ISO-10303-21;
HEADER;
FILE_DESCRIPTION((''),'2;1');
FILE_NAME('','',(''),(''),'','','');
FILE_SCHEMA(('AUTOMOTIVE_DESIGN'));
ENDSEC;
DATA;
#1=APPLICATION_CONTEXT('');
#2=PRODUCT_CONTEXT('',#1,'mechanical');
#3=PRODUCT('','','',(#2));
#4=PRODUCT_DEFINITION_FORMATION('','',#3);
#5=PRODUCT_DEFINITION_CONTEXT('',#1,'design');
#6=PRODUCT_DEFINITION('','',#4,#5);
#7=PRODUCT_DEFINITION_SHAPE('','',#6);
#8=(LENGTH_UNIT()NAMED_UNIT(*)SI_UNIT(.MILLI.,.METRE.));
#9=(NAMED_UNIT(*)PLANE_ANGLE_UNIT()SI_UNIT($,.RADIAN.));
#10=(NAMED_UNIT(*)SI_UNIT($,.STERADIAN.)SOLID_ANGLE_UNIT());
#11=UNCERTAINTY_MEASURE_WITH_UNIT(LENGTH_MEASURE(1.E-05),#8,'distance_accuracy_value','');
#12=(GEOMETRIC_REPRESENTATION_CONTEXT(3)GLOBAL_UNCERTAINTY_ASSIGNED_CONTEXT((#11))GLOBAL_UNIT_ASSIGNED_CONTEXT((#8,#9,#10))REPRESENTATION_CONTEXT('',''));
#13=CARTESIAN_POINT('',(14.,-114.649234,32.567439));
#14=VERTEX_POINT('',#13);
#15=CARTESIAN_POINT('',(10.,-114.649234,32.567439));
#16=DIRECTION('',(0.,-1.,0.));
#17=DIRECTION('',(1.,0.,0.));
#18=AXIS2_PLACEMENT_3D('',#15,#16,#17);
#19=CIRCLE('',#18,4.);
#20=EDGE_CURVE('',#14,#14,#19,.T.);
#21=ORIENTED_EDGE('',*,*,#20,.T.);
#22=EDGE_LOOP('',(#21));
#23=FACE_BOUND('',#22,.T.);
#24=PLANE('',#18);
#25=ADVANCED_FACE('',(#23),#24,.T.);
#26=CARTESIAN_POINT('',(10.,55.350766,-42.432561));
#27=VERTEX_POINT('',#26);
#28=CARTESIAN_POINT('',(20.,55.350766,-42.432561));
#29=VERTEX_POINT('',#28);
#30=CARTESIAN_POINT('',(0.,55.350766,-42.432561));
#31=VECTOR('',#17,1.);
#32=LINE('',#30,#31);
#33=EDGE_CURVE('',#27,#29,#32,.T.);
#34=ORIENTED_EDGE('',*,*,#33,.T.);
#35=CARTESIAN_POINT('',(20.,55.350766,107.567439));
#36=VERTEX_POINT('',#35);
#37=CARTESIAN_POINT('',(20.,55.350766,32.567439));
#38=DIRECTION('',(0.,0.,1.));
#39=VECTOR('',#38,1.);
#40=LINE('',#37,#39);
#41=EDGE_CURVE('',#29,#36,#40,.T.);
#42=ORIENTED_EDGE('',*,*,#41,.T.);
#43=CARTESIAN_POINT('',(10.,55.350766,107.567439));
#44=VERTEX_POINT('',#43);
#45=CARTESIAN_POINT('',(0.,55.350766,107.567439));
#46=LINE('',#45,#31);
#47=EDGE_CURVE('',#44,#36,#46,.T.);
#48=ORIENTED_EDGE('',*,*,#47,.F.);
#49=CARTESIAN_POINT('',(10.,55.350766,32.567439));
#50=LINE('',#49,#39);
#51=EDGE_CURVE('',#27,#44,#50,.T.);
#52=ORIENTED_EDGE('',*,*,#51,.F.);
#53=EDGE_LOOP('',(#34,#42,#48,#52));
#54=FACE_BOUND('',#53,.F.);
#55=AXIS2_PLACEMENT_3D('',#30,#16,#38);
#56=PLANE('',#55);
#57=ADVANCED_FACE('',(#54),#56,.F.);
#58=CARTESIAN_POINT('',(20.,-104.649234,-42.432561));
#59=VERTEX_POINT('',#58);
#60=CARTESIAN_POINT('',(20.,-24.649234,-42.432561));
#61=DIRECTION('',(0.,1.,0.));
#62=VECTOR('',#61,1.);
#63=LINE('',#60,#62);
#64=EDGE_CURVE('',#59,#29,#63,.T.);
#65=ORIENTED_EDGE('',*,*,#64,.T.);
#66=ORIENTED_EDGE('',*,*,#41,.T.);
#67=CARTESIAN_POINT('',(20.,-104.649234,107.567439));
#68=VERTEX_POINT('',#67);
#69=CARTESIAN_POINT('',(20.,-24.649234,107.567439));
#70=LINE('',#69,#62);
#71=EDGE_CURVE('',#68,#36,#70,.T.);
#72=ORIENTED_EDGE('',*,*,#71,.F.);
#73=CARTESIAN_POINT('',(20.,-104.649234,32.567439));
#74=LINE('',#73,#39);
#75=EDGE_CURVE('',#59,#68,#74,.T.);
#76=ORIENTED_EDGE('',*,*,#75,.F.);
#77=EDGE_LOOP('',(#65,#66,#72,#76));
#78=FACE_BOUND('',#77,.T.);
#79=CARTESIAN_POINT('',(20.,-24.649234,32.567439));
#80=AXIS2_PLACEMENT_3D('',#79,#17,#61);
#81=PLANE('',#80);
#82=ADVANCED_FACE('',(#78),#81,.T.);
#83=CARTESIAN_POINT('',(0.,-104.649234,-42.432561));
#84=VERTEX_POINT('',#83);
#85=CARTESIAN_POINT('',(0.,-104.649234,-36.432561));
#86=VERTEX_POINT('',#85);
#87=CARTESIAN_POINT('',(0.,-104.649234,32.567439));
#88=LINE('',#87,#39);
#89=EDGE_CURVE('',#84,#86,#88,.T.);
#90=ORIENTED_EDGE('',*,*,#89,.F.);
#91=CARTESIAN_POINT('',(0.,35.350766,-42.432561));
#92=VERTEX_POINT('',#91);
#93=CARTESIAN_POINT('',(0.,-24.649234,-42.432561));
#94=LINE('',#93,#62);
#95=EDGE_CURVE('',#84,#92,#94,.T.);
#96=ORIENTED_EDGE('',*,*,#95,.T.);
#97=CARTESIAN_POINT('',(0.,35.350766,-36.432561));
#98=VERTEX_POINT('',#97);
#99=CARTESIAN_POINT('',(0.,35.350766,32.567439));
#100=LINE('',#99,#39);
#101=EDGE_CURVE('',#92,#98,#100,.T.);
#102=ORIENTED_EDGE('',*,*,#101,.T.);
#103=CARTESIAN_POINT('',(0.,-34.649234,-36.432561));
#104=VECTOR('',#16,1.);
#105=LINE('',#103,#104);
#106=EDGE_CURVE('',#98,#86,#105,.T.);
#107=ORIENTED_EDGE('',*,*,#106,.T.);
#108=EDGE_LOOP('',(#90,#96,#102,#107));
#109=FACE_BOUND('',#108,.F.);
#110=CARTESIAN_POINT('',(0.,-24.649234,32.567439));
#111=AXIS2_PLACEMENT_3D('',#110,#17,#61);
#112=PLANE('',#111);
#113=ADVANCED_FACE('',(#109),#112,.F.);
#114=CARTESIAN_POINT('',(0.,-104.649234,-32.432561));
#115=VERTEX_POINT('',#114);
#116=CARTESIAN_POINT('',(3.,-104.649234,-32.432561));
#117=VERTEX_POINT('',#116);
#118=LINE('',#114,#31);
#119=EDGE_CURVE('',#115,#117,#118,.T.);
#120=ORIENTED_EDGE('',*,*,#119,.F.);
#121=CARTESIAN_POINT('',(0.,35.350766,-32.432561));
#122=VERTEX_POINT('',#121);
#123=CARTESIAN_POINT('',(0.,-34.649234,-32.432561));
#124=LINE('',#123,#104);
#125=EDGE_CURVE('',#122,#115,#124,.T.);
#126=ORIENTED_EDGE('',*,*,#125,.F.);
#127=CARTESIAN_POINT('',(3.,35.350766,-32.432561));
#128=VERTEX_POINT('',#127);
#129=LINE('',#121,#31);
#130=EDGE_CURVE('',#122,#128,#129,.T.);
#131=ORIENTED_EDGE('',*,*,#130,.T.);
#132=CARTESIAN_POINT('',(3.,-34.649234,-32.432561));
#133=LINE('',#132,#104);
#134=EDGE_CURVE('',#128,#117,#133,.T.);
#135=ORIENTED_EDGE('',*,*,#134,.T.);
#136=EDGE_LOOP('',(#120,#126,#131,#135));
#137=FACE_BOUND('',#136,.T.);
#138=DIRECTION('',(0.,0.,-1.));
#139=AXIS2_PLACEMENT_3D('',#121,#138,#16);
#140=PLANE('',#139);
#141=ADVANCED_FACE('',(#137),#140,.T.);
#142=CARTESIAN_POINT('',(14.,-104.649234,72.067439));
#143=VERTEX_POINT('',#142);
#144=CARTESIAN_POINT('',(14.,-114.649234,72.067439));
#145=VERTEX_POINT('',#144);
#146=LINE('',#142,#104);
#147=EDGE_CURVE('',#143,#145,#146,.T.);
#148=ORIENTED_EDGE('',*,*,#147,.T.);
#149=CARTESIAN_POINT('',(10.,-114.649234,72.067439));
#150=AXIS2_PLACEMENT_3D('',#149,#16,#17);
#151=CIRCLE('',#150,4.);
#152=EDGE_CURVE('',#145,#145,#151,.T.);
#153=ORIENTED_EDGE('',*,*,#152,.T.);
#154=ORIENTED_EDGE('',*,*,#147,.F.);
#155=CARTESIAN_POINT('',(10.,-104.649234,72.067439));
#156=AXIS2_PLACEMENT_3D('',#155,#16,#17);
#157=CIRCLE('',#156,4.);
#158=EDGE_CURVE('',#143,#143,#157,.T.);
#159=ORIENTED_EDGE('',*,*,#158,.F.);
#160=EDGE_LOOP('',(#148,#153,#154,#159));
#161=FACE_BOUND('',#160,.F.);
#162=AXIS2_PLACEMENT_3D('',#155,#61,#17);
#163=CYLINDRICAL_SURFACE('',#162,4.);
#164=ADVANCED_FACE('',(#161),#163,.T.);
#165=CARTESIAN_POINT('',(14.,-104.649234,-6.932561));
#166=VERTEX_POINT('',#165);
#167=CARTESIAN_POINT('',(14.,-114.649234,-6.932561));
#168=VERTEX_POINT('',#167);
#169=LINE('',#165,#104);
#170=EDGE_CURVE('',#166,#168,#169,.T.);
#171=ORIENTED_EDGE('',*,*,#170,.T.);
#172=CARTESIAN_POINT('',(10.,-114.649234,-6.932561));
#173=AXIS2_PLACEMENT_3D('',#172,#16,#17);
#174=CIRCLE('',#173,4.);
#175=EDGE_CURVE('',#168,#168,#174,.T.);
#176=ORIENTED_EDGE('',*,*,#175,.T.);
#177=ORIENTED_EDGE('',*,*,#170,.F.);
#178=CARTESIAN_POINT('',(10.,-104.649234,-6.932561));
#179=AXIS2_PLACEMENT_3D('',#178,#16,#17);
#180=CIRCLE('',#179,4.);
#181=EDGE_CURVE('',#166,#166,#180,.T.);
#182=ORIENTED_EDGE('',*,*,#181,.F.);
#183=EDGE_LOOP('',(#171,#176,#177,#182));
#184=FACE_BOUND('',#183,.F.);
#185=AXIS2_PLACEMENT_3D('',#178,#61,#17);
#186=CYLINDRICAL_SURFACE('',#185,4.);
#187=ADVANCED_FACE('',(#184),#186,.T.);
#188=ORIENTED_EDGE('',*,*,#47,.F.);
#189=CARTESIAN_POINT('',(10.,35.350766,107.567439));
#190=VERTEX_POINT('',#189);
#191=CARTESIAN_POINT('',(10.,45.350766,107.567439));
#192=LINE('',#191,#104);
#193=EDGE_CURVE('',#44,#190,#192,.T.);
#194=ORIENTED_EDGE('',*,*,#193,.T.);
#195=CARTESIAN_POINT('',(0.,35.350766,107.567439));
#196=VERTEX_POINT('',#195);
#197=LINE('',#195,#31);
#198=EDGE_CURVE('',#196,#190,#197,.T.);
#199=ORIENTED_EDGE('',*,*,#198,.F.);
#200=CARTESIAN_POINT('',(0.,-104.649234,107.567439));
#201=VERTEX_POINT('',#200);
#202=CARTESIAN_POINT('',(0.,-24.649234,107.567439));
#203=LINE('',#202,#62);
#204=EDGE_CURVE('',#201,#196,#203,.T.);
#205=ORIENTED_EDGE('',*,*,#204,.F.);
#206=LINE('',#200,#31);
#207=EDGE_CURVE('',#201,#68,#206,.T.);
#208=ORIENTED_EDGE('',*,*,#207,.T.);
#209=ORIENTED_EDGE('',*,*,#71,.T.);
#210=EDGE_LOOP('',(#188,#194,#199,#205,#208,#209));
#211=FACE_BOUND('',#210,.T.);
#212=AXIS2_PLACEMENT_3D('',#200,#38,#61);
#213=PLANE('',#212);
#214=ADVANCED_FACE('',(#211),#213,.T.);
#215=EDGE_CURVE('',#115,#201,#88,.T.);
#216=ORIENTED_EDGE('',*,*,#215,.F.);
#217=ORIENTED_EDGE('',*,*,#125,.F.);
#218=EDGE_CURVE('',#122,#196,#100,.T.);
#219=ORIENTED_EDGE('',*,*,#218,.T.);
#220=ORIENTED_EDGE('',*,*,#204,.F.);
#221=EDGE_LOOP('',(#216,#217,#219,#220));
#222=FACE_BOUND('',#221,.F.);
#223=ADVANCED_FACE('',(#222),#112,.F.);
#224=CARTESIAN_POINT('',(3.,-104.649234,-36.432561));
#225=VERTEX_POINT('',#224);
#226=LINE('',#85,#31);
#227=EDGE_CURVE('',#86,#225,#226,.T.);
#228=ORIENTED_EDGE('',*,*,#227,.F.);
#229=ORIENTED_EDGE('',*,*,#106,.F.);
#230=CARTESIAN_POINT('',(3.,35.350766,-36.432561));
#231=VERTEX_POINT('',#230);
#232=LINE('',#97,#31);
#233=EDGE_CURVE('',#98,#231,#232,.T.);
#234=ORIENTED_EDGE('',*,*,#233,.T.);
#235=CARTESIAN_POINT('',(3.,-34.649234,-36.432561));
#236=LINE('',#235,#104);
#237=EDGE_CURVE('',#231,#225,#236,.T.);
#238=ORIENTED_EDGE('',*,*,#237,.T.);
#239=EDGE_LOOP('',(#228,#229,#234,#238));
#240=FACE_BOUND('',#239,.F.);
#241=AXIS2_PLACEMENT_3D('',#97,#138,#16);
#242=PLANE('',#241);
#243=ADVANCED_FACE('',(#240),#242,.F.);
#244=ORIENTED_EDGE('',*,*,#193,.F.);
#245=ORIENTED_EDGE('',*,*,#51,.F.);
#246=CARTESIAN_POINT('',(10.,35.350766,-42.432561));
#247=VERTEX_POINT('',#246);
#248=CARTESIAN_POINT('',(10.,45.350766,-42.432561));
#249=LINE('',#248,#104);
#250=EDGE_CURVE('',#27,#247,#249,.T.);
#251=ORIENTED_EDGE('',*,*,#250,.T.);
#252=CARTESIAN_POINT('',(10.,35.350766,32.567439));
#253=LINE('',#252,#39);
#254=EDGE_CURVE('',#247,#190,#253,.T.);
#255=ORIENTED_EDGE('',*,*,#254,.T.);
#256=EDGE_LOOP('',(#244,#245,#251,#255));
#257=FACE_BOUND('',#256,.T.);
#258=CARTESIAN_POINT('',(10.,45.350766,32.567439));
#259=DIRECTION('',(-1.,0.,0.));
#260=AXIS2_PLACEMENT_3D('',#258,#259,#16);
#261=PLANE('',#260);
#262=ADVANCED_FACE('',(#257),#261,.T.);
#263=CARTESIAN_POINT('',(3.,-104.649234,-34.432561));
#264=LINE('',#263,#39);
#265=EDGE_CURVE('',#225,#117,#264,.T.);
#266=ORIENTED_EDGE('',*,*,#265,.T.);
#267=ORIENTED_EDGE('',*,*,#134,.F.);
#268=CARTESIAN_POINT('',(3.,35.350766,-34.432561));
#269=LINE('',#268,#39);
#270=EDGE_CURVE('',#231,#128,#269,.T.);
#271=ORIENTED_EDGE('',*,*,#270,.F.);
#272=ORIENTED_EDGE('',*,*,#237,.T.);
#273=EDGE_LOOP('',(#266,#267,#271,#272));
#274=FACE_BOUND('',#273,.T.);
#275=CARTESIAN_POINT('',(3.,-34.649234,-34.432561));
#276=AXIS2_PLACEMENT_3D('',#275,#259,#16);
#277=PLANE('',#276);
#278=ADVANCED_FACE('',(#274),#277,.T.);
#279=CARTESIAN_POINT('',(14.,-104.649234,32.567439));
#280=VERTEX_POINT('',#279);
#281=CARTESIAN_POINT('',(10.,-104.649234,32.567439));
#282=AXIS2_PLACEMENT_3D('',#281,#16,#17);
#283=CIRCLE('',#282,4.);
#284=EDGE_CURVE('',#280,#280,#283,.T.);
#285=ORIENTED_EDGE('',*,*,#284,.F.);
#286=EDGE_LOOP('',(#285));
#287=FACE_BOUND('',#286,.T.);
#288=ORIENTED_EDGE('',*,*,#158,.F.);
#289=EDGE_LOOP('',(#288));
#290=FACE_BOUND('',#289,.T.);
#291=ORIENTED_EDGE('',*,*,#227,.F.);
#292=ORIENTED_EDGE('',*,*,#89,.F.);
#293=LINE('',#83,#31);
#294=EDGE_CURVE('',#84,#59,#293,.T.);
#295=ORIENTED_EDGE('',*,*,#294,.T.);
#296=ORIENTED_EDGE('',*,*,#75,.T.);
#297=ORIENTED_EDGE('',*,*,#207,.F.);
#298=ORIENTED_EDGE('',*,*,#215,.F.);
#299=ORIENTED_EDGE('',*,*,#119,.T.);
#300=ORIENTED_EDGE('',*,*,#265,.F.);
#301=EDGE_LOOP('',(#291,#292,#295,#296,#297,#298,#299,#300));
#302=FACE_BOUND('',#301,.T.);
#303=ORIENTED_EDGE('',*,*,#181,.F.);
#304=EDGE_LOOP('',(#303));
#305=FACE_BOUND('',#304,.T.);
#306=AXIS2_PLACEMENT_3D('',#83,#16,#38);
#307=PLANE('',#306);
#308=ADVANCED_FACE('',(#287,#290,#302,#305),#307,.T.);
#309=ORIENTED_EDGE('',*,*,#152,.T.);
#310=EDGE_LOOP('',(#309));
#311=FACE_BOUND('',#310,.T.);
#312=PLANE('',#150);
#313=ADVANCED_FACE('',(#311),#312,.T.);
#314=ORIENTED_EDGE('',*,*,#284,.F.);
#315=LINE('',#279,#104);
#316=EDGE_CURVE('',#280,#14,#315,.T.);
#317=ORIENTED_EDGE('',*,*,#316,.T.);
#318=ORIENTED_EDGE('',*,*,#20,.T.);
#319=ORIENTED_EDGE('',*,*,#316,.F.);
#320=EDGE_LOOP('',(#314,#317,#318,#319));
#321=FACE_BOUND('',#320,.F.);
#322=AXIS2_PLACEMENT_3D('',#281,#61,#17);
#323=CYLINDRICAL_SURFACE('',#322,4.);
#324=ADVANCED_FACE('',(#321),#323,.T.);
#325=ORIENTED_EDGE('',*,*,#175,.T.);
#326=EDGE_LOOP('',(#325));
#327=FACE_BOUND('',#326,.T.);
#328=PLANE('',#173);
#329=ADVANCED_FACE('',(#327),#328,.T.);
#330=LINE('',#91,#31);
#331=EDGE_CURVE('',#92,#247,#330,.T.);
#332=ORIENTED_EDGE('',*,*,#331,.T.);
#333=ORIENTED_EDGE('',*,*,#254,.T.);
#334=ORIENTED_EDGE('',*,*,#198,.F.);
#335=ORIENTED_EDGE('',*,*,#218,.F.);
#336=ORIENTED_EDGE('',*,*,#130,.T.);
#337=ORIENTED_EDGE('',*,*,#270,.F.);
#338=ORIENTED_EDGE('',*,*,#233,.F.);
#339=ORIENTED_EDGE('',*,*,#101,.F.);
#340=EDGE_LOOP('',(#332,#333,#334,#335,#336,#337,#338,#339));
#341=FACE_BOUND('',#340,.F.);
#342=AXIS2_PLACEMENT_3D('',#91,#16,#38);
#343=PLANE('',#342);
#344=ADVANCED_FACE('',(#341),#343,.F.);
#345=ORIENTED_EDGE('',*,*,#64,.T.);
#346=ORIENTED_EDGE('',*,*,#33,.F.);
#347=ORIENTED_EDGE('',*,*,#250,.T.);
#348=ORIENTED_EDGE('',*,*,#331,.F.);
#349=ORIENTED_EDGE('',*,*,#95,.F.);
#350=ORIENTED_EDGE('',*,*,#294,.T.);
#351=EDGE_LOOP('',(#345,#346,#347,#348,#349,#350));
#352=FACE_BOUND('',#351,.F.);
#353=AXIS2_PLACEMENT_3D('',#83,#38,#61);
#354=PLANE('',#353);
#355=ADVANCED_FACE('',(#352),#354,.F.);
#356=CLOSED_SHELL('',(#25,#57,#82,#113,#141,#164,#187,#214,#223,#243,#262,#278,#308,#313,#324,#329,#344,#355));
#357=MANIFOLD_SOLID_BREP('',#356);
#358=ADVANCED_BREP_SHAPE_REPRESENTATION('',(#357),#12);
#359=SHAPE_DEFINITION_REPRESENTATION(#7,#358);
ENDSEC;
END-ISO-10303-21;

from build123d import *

# Parameters (mm, degrees)
F0_W     = 160
F0_H     = 150
F1_DEPTH = 20
F2_W     = 20
F2_H     = 150
F3_DEPTH = 10
F5_W     = 140
F5_H     = 4
F6_DEPTH = 3
F4_R     = 4
F7_DEPTH = 10


with BuildPart() as f1:
    # F0 (on Right) → F1 (new body)
    with BuildSketch(Plane.YZ):
        with Locations((-24.649234, 32.567439)):
            Rectangle(F0_W, F0_H)
    extrude(amount=F1_DEPTH)

    # F2 (on face) → F3 (cut)
    with BuildSketch(Plane(origin=(0, 0, 0), x_dir=(0, -1, 0), z_dir=(-1, 0, 0))):
        with Locations((-45.350766, 32.567439)):
            Rectangle(F2_W, F2_H)
    extrude(amount=-F3_DEPTH, mode=Mode.SUBTRACT)

    # F5 (on face) → F6 (cut)
    with BuildSketch(Plane(origin=(0, 0, 0), x_dir=(0, -1, 0), z_dir=(-1, 0, 0))):
        with Locations((34.649234, -34.432561)):
            Rectangle(F5_W, F5_H)
    extrude(amount=-F6_DEPTH, mode=Mode.SUBTRACT)

    # F4 (on face) → F7 (join)
    with BuildSketch(Plane.XZ.offset(104.649234)):
        with Locations((10, 72.067439)):
            Circle(F4_R)
        with Locations((10, 32.567439)):
            Circle(F4_R)
        with Locations((10, -6.932561)):
            Circle(F4_R)
    extrude(amount=F7_DEPTH)


solid = f1.part
